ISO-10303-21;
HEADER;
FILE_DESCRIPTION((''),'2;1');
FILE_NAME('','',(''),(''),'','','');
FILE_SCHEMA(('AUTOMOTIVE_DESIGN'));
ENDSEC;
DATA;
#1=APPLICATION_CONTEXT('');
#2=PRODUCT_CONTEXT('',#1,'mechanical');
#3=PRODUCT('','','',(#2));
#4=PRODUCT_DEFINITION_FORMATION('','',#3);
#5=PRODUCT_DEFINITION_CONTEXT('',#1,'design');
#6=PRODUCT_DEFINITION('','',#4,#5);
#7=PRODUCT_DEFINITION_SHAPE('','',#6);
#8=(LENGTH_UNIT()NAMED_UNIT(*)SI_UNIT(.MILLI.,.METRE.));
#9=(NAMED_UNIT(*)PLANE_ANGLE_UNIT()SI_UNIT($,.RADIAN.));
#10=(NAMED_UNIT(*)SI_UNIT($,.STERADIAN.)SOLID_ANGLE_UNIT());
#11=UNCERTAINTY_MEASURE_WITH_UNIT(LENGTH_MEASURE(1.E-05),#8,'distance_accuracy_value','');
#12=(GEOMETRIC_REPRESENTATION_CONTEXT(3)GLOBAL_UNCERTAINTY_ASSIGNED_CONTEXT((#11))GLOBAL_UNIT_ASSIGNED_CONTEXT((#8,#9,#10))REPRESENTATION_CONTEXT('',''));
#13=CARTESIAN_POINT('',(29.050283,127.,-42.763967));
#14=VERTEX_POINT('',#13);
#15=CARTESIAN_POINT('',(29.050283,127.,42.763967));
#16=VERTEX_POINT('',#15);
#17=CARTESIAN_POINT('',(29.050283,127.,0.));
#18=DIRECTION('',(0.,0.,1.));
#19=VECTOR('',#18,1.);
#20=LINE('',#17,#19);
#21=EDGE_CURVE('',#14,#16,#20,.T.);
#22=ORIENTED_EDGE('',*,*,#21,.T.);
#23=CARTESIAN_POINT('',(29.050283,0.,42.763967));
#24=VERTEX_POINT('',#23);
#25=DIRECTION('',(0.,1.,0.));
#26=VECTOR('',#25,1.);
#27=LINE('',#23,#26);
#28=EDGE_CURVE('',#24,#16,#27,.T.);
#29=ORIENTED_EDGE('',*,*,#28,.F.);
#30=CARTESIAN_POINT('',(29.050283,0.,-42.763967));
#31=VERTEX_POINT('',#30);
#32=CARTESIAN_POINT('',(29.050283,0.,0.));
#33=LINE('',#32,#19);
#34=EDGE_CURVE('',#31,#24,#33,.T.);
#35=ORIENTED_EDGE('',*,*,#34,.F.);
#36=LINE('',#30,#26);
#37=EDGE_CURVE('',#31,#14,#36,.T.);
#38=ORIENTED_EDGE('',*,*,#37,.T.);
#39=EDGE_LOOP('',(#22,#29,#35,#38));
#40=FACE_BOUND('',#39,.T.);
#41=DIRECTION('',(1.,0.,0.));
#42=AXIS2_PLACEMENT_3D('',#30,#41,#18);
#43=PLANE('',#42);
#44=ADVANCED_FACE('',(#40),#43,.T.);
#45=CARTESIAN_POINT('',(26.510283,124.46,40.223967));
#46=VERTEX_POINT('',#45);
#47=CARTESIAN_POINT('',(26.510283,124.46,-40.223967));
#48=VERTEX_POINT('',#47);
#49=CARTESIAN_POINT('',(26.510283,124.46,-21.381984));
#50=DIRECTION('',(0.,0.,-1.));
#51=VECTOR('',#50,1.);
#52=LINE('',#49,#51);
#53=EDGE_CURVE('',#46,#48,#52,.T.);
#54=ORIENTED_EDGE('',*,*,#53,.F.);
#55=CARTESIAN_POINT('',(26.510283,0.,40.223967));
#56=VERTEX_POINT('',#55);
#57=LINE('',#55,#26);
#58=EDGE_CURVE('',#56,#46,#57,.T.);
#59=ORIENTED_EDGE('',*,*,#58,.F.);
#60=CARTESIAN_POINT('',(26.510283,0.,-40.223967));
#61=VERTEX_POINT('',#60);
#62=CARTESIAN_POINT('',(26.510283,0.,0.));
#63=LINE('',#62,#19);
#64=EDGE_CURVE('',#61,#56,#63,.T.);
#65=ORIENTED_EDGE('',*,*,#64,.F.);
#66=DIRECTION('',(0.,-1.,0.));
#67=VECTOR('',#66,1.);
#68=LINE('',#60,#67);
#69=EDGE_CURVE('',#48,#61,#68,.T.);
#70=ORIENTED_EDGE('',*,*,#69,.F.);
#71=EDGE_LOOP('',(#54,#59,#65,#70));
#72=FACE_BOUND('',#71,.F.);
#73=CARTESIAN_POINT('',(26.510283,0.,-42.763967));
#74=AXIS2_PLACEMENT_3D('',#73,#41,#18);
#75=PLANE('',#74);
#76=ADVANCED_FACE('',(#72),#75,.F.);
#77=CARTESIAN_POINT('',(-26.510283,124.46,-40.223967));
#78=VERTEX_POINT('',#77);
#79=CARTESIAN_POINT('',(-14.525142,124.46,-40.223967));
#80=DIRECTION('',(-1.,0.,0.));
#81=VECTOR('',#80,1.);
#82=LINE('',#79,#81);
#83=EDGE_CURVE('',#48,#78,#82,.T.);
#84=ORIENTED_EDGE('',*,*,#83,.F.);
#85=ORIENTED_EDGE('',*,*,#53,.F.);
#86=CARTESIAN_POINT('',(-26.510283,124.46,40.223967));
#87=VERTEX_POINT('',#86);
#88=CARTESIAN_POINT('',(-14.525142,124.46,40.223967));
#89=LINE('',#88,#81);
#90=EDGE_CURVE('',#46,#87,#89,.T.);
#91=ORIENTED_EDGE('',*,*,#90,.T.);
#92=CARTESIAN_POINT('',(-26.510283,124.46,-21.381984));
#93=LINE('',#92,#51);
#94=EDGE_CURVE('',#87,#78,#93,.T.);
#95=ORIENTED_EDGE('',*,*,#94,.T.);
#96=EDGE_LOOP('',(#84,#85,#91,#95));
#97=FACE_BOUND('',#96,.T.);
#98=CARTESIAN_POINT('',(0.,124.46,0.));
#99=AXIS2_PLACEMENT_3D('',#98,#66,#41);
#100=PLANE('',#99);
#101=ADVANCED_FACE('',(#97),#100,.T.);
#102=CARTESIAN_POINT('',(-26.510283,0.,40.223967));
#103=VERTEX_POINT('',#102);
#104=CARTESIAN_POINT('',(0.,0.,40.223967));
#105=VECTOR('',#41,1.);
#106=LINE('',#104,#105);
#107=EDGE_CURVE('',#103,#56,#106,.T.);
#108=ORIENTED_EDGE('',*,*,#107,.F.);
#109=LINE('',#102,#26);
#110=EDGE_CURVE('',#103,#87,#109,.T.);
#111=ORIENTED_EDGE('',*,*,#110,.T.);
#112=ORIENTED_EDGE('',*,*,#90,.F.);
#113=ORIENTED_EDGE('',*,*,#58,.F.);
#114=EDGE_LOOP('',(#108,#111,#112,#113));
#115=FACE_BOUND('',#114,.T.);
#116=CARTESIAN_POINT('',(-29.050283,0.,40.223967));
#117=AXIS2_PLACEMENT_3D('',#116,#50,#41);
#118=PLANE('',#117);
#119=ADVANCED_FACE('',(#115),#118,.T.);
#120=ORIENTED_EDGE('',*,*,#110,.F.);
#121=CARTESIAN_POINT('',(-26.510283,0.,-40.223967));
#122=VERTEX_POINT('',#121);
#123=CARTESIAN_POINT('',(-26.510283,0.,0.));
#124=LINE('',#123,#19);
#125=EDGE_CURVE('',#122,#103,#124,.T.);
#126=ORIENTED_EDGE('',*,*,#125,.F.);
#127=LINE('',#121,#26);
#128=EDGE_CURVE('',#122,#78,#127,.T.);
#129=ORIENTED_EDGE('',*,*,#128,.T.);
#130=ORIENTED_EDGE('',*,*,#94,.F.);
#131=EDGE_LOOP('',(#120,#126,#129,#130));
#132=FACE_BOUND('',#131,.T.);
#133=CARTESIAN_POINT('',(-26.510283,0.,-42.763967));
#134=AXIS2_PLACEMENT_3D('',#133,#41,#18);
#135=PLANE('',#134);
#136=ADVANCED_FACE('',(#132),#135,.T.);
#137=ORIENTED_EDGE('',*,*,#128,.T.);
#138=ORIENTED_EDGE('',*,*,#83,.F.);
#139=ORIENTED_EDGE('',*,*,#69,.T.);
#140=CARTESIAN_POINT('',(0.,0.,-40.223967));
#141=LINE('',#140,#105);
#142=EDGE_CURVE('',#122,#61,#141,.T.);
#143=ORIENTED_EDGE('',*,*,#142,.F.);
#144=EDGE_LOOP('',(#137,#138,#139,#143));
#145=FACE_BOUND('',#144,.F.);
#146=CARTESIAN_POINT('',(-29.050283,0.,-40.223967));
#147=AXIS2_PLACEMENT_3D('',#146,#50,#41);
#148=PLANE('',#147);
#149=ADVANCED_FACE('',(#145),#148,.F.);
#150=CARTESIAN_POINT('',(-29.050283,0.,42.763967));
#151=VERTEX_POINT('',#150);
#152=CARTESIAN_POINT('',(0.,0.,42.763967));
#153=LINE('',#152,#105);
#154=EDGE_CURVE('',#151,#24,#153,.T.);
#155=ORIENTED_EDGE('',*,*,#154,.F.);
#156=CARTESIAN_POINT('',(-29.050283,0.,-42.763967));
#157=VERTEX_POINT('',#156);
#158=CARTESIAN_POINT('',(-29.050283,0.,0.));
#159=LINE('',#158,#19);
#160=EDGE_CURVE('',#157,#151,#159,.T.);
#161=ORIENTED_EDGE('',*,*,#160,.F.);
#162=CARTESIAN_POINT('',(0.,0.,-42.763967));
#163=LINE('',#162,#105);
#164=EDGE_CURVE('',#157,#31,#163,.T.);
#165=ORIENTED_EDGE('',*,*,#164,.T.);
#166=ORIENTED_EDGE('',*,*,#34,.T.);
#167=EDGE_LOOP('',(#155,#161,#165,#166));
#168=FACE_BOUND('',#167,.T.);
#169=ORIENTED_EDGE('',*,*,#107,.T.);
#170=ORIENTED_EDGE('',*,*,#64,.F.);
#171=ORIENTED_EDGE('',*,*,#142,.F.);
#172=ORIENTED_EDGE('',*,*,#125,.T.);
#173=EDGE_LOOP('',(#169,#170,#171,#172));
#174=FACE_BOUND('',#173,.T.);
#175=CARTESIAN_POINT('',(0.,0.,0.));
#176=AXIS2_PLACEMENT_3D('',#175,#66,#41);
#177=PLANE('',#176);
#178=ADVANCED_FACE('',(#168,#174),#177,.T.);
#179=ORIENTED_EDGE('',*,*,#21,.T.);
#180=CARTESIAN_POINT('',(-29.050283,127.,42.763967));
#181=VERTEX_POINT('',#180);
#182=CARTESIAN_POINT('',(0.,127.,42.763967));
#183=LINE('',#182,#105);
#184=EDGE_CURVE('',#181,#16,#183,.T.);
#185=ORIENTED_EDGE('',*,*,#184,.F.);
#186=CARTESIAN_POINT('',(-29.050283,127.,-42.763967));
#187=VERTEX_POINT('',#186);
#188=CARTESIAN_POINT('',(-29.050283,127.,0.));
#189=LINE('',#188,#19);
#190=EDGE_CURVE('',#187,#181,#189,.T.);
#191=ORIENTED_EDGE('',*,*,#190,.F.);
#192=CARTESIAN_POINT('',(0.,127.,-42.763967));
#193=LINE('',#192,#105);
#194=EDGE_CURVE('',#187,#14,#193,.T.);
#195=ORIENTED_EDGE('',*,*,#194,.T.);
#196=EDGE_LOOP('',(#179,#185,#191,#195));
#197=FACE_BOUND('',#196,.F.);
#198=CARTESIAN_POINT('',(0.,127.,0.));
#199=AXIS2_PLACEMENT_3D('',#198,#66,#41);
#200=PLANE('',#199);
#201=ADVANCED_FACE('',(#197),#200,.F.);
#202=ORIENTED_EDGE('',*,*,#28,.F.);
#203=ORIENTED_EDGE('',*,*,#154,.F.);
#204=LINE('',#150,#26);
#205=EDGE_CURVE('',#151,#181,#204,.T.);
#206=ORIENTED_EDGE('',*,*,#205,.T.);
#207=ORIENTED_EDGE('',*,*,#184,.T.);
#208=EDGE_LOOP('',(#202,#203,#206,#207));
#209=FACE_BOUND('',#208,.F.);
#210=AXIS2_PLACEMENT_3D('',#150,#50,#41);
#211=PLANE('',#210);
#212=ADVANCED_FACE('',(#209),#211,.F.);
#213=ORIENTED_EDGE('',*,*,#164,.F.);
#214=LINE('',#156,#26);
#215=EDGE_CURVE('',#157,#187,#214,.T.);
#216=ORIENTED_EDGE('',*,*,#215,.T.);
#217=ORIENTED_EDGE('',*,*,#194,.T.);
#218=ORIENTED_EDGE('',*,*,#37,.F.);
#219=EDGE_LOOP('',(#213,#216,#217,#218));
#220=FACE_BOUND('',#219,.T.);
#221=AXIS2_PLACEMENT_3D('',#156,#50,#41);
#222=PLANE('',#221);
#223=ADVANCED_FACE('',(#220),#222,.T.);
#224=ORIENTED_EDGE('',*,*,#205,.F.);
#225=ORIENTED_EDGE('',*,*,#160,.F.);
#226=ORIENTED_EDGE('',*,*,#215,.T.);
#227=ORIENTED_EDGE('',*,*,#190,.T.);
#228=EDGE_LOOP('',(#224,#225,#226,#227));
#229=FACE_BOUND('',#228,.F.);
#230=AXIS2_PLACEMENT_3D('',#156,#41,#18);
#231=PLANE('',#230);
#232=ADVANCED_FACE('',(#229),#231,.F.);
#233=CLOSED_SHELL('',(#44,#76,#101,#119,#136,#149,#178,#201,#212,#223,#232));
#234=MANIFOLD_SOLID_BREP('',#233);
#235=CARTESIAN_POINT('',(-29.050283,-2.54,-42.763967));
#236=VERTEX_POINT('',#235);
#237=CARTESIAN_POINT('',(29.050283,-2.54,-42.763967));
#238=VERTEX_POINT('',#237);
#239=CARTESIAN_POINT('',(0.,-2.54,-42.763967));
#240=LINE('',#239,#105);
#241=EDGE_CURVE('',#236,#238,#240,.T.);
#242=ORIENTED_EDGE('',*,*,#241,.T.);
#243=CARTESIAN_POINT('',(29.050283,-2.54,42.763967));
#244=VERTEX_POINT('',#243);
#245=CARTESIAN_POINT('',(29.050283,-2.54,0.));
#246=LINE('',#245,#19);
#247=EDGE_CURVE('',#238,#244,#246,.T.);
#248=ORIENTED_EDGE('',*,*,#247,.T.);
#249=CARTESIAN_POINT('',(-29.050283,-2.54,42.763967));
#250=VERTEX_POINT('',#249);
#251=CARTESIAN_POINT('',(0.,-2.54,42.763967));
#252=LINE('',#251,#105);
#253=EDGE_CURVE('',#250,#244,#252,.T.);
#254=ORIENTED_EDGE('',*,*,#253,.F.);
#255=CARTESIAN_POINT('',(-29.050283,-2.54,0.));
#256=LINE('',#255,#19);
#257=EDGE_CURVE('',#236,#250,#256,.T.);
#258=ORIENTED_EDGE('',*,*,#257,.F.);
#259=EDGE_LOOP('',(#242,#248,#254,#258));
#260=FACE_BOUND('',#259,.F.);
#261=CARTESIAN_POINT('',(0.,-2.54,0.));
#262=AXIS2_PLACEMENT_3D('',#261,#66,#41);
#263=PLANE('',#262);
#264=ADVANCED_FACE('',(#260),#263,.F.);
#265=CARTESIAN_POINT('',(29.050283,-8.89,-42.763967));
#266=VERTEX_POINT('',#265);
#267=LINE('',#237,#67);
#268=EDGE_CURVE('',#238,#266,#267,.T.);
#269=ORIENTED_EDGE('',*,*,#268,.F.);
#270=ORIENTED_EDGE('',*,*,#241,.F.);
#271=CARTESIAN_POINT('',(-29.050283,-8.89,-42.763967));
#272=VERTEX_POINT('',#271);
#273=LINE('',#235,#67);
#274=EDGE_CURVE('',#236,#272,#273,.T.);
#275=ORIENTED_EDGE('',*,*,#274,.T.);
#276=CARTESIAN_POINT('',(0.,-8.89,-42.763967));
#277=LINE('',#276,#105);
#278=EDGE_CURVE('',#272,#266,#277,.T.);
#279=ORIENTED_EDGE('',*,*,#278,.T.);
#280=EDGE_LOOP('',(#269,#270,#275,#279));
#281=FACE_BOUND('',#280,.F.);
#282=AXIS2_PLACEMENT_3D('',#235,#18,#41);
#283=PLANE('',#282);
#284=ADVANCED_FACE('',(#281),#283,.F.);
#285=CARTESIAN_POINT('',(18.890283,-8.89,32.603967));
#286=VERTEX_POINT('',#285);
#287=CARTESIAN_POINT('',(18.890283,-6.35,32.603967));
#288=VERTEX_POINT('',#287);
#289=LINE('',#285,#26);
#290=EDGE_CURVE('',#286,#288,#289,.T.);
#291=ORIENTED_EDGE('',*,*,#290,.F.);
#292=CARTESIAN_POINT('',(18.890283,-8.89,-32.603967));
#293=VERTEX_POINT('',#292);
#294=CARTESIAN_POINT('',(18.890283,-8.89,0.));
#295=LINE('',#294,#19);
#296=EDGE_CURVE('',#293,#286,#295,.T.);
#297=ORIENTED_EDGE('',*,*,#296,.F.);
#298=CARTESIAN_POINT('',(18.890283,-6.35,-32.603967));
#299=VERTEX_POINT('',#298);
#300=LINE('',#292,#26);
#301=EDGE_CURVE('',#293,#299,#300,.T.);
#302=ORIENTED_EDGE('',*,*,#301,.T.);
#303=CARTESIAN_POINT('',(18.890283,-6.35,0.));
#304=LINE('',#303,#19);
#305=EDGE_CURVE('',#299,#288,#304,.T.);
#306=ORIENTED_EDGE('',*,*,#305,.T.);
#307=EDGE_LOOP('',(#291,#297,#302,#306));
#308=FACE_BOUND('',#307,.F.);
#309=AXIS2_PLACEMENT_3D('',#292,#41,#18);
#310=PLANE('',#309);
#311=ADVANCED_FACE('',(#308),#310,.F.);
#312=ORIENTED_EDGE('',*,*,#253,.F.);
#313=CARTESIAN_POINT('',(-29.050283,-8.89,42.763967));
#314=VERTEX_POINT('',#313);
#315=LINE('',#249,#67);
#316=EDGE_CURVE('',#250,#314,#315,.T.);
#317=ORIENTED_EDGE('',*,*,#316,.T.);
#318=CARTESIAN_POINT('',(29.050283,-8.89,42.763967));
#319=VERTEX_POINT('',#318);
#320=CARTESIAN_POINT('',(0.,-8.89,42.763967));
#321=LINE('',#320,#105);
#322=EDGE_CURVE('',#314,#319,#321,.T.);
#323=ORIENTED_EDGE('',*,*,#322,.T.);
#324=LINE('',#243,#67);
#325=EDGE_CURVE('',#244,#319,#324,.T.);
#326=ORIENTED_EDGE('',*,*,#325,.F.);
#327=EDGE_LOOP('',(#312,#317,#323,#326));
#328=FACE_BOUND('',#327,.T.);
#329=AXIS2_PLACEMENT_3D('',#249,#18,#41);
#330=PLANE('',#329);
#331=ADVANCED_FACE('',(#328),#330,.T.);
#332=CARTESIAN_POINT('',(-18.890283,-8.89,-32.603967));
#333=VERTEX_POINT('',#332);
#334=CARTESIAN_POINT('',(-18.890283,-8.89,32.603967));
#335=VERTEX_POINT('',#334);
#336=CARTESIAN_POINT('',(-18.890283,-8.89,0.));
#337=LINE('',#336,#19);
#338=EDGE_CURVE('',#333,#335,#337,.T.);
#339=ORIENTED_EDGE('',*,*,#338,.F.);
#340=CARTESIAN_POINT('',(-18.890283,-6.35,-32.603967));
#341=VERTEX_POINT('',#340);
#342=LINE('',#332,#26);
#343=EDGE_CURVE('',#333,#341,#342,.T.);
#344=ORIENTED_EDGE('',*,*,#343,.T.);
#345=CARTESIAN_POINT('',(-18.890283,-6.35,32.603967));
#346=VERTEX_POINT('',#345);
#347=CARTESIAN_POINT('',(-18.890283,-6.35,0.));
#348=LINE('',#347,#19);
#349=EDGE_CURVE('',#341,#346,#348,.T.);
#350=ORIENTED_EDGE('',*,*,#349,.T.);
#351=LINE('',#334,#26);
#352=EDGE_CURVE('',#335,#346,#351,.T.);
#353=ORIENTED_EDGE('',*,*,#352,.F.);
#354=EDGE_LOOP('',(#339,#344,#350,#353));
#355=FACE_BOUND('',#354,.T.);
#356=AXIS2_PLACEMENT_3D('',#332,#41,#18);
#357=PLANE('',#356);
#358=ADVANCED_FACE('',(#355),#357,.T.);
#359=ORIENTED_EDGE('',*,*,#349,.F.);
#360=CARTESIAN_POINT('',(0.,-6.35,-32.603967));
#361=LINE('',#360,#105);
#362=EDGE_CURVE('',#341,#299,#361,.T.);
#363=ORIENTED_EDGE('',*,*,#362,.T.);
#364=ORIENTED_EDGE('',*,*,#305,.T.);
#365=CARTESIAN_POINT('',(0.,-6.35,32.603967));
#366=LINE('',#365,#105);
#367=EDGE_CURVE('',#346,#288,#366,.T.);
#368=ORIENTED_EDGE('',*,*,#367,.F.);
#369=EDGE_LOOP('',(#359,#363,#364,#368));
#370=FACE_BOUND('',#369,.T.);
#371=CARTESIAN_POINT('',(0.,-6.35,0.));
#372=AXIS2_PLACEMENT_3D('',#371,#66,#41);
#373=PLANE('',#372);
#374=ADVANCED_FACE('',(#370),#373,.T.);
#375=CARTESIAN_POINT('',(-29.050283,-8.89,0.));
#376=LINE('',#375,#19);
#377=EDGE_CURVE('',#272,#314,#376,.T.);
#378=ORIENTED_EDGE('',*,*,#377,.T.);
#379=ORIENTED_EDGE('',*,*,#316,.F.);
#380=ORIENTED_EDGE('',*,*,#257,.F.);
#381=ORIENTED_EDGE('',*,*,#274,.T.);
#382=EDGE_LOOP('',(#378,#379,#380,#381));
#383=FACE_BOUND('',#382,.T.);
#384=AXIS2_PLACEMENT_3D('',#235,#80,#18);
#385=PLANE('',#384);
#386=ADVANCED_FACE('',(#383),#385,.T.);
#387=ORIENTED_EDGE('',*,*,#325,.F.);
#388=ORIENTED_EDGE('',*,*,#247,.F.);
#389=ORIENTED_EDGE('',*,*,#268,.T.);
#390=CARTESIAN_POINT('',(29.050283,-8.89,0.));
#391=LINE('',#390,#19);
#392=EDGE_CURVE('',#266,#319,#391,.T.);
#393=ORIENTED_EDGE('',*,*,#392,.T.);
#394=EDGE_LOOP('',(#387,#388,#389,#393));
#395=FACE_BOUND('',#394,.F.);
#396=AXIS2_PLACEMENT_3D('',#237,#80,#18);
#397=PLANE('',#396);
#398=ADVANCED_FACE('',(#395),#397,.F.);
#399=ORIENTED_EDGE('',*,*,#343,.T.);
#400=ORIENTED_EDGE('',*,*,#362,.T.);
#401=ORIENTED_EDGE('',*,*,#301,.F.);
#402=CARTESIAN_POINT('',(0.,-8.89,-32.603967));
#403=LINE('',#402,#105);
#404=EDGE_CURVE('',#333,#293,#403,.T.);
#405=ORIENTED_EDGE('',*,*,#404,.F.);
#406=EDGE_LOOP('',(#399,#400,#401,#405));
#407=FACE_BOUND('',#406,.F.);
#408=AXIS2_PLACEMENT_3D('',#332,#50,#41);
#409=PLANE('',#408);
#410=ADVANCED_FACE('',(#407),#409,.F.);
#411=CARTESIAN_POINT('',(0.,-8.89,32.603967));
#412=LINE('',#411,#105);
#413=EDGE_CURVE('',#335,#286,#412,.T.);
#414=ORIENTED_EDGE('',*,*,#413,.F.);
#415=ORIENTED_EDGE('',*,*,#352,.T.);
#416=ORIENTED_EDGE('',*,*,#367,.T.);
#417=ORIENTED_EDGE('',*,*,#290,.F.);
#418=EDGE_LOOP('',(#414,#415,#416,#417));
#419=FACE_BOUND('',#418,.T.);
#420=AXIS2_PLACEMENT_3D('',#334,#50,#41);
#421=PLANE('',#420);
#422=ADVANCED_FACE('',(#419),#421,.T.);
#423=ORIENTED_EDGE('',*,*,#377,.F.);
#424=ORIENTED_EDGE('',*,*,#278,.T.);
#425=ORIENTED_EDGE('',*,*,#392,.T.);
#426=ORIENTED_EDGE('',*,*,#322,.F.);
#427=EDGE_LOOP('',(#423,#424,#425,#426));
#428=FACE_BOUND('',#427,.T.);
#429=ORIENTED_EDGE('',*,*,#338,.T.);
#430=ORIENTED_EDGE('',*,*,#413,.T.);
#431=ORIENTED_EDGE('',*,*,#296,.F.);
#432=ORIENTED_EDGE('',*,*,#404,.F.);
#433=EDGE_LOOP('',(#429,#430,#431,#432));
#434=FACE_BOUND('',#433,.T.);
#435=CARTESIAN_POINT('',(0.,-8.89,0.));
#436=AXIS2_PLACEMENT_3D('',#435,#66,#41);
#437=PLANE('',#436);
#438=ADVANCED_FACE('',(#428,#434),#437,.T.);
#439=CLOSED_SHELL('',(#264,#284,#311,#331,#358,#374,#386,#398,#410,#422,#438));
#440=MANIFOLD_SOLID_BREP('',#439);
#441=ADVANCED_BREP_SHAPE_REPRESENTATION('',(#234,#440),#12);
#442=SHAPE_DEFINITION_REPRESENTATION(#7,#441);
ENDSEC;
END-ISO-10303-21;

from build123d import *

# Parameters (mm, degrees)
F0_W     = 58.100566268
F0_H     = 85.527934134
F1_DEPTH = 127
F2_T     = -2.54
F3_W     = 58.100566268
F3_H     = 85.527934134
F4_DEPTH = 6.35
F6_W     = 37.780566268
F6_H     = 65.207934134
F7_DEPTH = 2.54


with BuildPart() as f1:
    # F0 (on Front) → F1 (new body)
    with BuildSketch(Plane.XZ):
        Rectangle(F0_W, F0_H)
    extrude(amount=-F1_DEPTH)

    # F2
    f2_openings = [f1.faces().sort_by_distance(p)[0] for p in [
        (0, 0, 0),
    ]]
    offset(amount=F2_T, openings=f2_openings)


with BuildPart() as f4:
    # F3 (on Front) → F4 (new body)
    with BuildSketch(Plane.XZ):
        Rectangle(F3_W, F3_H)
    extrude(amount=F4_DEPTH)


with BuildPart() as f4_1:
    # F5: moved
    add(f4.part.moved(Location((0, -2.54, 0))))

    # F6 (on face) → F7 (cut)
    with BuildSketch(Plane.XZ.offset(8.89)):
        Rectangle(F6_W, F6_H)
    extrude(amount=-F7_DEPTH, mode=Mode.SUBTRACT)


solid = Compound([f1.part, f4_1.part])
